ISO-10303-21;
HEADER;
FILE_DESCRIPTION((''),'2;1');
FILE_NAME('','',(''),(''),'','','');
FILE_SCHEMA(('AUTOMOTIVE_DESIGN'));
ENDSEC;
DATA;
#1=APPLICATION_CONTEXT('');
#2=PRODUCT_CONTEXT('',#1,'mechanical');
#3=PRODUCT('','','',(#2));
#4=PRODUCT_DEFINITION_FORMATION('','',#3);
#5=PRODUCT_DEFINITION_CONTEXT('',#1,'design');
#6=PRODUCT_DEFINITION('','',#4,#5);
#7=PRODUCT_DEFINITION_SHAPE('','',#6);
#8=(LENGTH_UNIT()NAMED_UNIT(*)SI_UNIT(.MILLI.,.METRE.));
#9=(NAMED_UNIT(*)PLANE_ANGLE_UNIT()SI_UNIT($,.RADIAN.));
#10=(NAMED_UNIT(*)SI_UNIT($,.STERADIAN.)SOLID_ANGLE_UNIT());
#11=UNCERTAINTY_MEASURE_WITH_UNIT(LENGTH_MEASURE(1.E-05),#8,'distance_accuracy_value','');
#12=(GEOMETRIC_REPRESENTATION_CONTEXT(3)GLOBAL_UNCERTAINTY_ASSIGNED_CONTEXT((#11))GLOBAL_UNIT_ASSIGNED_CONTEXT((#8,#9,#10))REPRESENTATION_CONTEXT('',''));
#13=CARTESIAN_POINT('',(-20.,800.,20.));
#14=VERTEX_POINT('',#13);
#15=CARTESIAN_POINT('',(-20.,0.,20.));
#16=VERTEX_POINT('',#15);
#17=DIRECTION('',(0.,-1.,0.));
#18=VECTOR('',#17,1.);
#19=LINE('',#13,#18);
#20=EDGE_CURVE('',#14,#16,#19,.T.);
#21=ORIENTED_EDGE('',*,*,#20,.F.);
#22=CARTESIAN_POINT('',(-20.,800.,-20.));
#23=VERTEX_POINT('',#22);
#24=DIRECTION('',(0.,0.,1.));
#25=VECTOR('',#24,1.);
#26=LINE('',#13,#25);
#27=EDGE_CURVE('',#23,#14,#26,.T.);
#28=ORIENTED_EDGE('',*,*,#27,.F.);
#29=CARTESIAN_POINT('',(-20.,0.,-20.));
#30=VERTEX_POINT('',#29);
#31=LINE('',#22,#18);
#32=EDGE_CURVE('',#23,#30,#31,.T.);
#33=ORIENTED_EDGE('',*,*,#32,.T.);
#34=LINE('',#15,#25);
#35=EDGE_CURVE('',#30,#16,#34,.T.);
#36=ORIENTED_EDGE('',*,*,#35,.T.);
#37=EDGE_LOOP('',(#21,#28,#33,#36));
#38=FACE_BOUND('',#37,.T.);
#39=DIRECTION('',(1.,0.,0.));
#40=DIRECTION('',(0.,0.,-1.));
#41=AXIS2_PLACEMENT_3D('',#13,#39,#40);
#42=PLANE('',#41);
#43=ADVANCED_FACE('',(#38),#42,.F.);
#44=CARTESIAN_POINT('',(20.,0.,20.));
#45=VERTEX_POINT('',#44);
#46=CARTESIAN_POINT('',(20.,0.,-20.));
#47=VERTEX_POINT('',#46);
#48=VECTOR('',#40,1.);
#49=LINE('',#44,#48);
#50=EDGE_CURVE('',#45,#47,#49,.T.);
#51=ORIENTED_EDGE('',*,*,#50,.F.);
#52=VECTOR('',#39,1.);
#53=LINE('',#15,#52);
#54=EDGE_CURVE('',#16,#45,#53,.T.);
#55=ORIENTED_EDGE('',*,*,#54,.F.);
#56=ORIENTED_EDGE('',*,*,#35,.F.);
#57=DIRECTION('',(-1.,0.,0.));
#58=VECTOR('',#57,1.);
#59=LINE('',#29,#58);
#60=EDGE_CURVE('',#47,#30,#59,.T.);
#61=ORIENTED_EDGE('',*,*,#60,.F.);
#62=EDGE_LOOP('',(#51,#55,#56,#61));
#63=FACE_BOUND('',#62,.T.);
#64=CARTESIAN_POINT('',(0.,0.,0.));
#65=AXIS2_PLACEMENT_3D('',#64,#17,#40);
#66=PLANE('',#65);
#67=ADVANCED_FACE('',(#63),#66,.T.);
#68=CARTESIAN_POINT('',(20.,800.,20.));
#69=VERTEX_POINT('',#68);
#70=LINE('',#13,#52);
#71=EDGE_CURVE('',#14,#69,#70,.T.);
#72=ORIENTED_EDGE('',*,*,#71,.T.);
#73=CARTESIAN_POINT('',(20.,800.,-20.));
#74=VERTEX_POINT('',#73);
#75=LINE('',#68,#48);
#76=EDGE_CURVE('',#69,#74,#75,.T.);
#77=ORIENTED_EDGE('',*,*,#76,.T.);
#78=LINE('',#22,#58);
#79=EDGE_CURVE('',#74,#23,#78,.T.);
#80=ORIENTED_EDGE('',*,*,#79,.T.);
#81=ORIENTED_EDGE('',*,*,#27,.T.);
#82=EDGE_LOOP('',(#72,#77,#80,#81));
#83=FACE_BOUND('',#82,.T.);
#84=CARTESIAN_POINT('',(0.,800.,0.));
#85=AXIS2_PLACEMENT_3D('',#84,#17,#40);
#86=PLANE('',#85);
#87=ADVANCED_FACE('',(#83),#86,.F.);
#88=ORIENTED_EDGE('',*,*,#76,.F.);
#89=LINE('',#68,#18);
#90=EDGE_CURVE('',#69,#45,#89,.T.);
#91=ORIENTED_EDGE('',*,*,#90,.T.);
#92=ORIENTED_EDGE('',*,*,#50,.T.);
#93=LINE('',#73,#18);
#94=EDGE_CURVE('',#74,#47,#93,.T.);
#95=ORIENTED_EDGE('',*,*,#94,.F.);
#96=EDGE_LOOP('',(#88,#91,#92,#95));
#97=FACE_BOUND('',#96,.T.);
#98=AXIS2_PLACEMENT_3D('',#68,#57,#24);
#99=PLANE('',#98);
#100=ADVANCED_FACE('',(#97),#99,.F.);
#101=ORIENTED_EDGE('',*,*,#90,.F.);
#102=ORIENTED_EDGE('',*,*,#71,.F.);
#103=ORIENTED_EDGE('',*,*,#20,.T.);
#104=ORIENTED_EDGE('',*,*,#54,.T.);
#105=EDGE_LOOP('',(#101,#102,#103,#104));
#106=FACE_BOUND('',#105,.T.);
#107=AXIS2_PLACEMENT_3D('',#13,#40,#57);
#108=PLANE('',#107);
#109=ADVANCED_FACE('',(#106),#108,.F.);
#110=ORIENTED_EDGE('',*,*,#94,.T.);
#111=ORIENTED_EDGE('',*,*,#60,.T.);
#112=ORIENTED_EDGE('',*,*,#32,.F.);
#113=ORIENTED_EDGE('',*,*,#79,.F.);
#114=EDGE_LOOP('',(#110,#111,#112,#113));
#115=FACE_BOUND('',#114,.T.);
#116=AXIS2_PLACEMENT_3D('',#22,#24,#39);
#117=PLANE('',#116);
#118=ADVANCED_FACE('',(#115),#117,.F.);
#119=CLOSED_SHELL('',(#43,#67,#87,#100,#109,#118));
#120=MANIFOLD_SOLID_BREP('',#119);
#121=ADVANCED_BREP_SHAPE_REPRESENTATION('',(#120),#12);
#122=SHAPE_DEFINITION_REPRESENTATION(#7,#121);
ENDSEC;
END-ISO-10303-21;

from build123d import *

# Parameters (mm, degrees)
SKETCH1_W           = 40
SKETCH1_H           = 40
BOSS_EXTRUDE1_DEPTH = 800


with BuildPart() as part:
    # Sketch1 → Boss-Extrude1 (new body)
    with BuildSketch(Plane(origin=(0, 0, 0), x_dir=(1, 0, 0), z_dir=(0, 1, 0))):
        Rectangle(SKETCH1_W, SKETCH1_H)
    extrude(amount=BOSS_EXTRUDE1_DEPTH)


solid = part.part
